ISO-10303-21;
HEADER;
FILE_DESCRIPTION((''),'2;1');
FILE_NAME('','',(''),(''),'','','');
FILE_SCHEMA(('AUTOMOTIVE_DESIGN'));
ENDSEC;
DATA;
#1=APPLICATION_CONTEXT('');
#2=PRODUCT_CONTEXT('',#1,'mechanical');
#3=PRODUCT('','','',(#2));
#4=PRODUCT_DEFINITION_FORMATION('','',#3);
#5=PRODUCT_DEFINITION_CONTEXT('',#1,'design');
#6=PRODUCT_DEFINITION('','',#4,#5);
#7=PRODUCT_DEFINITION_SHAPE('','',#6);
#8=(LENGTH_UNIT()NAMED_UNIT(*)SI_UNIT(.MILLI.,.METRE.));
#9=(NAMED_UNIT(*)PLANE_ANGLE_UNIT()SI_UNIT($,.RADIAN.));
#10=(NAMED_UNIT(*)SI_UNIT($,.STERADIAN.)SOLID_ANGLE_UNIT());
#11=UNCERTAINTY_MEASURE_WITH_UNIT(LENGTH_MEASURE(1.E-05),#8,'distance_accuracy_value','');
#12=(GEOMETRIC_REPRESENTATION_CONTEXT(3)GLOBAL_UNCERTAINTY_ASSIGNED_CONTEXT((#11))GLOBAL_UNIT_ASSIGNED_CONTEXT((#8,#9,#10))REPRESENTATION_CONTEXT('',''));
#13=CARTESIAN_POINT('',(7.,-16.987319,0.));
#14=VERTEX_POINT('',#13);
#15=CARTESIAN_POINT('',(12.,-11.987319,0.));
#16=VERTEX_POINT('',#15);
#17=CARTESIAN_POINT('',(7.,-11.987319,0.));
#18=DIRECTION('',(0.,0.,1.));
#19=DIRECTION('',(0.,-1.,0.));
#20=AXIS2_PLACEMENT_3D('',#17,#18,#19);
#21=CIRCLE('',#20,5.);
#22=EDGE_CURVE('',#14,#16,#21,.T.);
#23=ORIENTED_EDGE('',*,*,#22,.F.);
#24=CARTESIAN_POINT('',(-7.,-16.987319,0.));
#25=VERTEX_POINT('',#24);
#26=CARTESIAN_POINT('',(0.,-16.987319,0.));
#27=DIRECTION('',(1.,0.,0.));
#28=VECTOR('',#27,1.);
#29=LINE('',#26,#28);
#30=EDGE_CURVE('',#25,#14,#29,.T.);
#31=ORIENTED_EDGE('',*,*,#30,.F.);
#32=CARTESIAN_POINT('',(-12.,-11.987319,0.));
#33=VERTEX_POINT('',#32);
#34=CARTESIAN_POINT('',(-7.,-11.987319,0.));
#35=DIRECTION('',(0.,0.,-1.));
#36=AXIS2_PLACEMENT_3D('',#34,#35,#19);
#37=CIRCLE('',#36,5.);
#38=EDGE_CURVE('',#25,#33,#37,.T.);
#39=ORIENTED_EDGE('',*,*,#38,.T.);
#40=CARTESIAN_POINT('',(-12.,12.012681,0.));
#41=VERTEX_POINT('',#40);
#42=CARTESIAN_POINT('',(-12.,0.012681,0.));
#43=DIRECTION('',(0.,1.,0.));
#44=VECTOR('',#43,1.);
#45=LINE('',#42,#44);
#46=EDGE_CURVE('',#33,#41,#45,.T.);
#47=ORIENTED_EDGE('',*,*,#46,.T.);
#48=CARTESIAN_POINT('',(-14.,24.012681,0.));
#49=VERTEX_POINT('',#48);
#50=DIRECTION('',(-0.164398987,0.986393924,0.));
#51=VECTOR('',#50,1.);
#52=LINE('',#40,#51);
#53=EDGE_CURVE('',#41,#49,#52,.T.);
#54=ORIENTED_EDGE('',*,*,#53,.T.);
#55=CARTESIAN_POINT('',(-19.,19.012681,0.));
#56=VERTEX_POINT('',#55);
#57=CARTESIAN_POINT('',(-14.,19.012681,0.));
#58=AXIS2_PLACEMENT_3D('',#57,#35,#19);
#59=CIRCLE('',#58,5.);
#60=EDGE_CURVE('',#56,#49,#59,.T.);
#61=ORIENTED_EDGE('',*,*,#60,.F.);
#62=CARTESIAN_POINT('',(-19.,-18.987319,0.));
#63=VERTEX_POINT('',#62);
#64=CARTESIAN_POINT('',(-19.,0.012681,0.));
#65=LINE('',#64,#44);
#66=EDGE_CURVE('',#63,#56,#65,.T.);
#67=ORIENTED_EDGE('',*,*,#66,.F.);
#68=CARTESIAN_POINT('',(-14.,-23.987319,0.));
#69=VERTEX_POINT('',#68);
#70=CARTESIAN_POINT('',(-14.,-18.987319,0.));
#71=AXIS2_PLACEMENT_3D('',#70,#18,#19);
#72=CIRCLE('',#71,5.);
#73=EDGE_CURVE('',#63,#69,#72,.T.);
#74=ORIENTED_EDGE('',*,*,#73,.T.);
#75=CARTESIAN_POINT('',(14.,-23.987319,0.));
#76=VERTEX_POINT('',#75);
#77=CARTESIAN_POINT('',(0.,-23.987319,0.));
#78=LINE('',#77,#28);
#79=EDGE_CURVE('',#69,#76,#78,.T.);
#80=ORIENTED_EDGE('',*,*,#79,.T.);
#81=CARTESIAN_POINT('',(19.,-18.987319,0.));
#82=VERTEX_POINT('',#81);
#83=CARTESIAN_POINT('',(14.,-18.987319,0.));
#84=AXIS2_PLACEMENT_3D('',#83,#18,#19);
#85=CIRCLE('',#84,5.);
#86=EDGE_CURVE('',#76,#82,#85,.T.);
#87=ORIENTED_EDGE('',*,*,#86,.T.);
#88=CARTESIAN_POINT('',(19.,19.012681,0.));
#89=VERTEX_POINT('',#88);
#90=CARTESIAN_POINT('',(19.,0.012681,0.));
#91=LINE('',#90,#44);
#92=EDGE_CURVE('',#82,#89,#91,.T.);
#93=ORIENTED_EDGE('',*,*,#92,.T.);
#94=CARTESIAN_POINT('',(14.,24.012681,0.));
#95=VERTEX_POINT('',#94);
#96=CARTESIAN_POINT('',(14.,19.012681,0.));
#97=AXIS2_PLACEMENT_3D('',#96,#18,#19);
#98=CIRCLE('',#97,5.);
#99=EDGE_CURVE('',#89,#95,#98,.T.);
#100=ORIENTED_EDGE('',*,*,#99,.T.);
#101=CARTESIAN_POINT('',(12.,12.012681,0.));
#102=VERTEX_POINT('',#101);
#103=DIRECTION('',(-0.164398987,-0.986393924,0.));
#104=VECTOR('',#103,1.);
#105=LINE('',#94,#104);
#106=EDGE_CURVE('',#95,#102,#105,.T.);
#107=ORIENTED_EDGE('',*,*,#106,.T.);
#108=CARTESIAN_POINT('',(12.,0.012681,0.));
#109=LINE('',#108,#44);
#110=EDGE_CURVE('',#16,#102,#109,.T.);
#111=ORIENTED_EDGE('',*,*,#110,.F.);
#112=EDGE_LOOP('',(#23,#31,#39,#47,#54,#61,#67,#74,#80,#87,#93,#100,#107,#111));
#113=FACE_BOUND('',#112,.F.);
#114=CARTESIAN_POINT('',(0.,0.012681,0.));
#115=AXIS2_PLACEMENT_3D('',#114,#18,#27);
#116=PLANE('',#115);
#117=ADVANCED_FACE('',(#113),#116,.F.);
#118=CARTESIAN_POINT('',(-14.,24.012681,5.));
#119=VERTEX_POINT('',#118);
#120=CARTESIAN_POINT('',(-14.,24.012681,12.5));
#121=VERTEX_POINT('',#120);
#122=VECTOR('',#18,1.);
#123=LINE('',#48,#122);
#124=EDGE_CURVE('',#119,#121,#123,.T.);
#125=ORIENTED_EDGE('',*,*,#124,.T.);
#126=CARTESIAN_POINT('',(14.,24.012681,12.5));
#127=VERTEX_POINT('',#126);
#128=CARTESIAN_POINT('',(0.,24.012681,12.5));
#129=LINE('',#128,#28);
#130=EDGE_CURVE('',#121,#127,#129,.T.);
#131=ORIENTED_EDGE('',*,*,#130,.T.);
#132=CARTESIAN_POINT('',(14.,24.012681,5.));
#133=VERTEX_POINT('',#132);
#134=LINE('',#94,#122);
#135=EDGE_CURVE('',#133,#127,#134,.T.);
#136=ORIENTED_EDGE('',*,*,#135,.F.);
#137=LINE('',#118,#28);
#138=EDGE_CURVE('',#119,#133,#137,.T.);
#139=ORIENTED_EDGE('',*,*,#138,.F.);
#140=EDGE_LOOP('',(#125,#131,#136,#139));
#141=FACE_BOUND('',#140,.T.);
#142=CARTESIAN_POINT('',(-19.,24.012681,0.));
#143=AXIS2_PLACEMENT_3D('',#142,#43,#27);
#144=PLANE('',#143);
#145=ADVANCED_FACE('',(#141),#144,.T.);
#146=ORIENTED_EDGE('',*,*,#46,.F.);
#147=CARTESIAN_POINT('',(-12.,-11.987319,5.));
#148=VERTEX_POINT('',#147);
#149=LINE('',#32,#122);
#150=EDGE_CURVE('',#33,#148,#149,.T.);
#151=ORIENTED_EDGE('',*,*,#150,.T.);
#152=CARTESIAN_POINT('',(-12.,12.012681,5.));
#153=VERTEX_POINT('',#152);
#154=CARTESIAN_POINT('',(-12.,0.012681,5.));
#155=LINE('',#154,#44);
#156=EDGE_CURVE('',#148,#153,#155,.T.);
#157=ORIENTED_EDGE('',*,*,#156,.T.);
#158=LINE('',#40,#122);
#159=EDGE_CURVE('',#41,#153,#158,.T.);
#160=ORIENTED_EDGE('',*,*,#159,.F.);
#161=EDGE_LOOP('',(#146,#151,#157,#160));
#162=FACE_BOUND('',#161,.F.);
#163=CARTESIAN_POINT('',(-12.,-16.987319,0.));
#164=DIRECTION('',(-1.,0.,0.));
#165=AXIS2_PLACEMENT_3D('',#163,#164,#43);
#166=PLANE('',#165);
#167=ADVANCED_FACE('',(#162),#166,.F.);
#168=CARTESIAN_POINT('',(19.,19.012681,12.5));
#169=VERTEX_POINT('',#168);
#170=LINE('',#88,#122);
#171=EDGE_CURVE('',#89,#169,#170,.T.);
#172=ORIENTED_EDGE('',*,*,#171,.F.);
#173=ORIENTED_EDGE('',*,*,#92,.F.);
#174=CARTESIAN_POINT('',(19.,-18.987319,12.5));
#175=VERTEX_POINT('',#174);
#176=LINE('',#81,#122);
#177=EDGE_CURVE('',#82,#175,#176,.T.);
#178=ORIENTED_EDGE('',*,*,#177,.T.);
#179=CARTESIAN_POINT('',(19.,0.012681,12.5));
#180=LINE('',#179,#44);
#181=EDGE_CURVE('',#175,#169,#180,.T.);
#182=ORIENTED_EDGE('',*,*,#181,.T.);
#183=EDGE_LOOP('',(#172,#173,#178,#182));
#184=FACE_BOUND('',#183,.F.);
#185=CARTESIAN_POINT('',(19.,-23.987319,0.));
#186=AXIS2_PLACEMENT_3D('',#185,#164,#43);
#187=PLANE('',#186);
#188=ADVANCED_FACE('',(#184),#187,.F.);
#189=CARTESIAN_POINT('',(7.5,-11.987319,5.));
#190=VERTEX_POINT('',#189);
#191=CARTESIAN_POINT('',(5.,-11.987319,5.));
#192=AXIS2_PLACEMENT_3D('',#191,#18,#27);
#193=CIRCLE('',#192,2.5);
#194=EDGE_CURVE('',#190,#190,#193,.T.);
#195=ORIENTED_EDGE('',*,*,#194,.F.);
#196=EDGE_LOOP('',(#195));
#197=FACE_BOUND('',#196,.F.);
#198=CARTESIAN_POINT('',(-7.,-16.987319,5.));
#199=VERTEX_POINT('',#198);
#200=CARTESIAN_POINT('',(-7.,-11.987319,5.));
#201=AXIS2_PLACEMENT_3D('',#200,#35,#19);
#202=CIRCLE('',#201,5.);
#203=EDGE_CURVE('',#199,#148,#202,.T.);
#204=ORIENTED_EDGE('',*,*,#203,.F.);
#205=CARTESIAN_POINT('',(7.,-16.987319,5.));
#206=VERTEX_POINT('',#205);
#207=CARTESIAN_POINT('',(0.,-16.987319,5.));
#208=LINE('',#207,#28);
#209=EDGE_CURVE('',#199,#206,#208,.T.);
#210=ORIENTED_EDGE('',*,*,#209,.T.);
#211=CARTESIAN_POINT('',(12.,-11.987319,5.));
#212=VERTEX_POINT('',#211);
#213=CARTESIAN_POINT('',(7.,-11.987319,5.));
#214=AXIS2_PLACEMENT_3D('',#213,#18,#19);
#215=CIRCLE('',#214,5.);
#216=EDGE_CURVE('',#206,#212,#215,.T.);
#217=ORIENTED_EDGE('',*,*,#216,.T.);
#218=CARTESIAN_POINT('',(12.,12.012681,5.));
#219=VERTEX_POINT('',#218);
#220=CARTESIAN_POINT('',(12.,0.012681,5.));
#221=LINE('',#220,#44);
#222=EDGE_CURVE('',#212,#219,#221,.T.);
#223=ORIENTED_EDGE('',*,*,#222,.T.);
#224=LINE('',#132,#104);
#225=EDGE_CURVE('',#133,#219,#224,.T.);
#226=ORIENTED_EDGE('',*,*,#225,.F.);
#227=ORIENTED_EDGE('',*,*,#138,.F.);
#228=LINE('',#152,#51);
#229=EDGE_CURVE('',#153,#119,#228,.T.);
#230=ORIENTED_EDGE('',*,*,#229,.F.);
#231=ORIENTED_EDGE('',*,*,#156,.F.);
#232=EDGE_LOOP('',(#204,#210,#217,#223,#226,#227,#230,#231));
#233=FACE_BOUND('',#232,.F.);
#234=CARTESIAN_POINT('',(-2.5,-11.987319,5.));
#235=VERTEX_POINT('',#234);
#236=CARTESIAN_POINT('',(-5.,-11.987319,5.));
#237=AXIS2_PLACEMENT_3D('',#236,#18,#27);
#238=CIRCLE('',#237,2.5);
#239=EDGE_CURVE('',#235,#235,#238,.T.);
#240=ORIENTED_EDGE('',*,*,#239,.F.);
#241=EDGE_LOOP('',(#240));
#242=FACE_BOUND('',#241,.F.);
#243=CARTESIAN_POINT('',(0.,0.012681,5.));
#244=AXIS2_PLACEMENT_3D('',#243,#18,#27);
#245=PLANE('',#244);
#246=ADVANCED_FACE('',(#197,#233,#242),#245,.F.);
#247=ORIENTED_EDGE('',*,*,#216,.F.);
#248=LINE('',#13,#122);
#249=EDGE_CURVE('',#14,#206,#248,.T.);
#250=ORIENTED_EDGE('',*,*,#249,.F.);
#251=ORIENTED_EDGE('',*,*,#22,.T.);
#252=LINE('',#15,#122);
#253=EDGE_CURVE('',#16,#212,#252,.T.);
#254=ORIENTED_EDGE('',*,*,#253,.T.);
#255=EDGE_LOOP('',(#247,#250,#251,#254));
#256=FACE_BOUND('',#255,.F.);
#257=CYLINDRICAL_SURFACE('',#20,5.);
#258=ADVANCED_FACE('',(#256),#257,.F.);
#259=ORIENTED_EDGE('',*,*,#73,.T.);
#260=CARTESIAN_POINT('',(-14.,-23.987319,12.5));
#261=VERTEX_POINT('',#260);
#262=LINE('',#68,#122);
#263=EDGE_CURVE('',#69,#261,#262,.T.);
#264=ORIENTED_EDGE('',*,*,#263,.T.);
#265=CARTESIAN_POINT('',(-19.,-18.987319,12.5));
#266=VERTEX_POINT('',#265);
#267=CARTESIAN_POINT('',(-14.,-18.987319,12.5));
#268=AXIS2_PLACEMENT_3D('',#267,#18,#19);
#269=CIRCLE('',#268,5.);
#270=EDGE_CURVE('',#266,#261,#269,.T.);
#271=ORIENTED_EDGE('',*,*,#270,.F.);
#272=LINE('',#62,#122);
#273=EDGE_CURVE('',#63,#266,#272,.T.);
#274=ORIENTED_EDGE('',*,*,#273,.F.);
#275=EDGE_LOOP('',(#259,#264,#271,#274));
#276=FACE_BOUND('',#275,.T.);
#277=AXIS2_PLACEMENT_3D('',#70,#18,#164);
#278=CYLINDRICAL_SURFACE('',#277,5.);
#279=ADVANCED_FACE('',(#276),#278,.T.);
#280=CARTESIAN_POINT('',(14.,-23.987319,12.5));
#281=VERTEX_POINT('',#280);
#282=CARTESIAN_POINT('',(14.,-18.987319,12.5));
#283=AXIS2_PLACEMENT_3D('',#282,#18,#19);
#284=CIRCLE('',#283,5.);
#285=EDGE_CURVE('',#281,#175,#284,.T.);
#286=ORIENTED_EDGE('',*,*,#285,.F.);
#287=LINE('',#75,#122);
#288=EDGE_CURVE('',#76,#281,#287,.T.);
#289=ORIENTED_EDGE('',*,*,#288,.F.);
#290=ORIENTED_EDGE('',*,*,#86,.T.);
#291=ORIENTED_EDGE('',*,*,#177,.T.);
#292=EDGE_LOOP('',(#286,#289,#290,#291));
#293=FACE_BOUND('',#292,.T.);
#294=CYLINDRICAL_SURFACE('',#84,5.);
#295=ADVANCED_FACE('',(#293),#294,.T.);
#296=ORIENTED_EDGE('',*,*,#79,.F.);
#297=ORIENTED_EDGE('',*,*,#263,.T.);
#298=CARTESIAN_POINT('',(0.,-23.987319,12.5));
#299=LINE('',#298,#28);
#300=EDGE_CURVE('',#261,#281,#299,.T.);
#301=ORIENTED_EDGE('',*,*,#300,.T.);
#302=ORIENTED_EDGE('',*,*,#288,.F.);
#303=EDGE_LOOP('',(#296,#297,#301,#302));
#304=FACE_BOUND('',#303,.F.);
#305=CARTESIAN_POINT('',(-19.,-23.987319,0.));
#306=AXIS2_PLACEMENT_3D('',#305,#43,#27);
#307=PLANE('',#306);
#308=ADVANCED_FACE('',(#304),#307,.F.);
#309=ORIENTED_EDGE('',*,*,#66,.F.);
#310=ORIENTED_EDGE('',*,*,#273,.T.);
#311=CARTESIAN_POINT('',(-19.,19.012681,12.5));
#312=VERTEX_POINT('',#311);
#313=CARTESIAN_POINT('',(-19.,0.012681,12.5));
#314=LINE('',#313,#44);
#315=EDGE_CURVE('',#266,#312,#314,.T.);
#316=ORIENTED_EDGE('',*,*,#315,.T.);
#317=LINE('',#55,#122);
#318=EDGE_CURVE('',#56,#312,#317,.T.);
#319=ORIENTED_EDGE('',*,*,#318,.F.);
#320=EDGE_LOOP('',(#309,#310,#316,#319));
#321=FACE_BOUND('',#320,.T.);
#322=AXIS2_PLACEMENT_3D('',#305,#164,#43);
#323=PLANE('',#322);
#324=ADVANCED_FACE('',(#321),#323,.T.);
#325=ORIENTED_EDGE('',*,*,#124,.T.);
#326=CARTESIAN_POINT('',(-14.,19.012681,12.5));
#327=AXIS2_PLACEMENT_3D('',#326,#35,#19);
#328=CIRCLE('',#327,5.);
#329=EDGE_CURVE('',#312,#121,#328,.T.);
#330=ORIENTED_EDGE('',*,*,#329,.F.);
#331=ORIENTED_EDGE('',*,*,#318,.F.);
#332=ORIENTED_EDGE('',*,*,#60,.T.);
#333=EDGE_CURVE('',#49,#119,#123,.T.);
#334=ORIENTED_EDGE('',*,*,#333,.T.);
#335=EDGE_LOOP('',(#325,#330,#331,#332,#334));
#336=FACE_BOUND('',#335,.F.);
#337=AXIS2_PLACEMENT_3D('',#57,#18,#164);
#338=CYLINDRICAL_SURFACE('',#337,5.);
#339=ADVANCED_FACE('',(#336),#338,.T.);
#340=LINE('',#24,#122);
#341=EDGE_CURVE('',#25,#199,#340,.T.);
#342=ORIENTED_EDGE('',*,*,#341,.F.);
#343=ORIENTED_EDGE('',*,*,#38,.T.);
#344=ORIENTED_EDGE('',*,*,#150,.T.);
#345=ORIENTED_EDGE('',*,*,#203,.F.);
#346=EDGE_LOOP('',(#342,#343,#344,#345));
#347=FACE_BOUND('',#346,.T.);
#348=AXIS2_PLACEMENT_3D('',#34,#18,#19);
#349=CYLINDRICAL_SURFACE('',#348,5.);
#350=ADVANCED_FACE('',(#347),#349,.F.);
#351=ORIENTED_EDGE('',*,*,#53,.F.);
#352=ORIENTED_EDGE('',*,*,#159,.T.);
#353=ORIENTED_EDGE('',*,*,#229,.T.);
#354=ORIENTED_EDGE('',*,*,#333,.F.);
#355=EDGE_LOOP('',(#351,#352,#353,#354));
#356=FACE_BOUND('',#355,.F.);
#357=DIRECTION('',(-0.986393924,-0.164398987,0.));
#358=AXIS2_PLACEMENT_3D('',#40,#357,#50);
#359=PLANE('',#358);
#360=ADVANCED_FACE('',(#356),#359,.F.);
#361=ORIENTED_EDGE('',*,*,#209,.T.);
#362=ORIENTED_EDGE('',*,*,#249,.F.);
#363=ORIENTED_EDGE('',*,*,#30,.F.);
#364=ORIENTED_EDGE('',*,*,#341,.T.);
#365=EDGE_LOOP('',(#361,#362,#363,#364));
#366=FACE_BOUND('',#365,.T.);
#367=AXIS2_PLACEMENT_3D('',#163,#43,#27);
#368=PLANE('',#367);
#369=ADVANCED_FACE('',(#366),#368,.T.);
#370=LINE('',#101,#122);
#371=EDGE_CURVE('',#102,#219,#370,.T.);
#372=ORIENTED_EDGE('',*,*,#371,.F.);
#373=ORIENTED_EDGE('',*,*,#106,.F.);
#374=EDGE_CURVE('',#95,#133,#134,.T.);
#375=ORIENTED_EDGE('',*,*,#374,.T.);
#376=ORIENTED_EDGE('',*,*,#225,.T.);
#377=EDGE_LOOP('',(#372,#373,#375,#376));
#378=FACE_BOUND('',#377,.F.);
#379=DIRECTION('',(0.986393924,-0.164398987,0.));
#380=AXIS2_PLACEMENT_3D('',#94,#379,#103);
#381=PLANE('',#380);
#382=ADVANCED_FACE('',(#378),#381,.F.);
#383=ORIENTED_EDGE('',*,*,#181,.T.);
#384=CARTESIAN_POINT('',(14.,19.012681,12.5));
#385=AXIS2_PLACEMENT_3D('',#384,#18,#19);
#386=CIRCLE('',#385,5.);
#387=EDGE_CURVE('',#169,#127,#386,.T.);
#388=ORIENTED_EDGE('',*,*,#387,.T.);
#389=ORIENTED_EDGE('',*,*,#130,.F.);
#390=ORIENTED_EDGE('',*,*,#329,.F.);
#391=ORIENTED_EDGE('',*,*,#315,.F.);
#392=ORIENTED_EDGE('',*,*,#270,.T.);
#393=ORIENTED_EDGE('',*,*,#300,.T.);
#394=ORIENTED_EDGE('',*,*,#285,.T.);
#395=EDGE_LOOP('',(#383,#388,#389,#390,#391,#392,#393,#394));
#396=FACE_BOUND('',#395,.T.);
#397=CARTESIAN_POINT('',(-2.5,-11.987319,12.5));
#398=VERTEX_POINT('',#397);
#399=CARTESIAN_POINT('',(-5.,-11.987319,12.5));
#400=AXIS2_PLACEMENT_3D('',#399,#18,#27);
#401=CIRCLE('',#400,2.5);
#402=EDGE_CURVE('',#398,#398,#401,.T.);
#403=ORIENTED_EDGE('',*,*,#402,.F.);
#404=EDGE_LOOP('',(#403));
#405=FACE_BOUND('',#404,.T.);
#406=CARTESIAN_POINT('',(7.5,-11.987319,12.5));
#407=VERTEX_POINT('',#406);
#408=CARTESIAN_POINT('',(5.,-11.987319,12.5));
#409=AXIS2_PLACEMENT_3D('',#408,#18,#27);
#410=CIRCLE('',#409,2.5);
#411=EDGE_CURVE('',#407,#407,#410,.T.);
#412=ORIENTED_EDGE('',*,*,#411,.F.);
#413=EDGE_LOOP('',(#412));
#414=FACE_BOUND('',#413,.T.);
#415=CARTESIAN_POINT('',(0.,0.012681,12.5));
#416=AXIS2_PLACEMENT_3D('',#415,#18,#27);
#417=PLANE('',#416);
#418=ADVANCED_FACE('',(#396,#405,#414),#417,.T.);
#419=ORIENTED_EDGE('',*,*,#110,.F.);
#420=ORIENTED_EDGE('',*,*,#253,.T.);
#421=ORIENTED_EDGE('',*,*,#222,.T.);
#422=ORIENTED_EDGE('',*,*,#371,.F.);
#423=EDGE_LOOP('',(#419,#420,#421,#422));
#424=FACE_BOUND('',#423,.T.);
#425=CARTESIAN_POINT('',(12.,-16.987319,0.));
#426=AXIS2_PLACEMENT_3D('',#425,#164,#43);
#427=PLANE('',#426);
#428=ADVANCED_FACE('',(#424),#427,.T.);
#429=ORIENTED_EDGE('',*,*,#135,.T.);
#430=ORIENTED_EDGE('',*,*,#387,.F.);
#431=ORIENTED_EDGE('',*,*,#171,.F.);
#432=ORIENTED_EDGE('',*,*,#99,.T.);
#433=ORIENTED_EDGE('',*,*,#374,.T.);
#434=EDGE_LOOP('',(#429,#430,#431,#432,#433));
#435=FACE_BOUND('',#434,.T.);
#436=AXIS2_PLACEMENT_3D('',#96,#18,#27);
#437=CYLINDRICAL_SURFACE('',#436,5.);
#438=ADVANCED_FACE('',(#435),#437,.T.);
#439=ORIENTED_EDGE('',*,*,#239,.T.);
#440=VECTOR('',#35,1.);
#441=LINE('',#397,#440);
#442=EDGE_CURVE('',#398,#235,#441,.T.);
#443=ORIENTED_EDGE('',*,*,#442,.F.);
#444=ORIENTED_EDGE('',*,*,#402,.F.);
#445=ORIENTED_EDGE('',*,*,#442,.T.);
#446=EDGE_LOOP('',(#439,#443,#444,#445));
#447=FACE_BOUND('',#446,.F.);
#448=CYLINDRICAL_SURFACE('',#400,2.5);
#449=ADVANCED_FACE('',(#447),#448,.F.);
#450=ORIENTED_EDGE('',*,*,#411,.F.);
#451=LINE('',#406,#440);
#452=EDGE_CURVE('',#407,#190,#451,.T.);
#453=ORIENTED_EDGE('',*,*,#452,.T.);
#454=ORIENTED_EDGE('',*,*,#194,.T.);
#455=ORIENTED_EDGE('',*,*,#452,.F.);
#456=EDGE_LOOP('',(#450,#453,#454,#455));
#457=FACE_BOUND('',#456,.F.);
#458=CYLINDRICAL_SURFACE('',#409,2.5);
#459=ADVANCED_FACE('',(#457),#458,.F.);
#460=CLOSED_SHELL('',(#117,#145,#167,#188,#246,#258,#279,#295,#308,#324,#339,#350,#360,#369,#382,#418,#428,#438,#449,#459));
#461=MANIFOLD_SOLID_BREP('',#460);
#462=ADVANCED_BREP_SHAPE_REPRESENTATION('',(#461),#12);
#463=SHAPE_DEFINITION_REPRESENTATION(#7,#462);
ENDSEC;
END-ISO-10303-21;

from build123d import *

# Parameters (mm, degrees)
F0_W     = 38
F0_H     = 48
F0_W_2   = 24
F0_H_2   = 34
F1_DEPTH = 12.5
F2_R     = 5
F4_DEPTH = 5
F5_R     = 5
F3_R     = 2.5
F6_DEPTH = 7.5
F8_DEPTH = 5


with BuildPart() as f1:
    # F0 (on Top) → F1 (new body)
    with BuildSketch(Plane.XY):
        with Locations((0, 0.012681)):
            Rectangle(F0_W, F0_H)
        with Locations((0, 0.012681)):
            Rectangle(F0_W_2, F0_H_2, mode=Mode.SUBTRACT)
        with Locations((0, 0.012681)):
            Rectangle(F0_W_2, F0_H_2)
    extrude(amount=F1_DEPTH)

    # F2
    f2_edges = [f1.edges().sort_by_distance(p)[0] for p in [
        (-19, -23.987319, 6.25),
        (19, -23.987319, 6.25),
        (19, 24.012681, 6.25),
        (-19, 24.012681, 6.25),
    ]]
    fillet(f2_edges, radius=F2_R)

    # F0 (on Top) → F4 (cut)
    with BuildSketch(Plane.XY):
        with Locations((0, 0.012681)):
            Rectangle(F0_W_2, F0_H_2)
    extrude(amount=F4_DEPTH, mode=Mode.SUBTRACT)

    # F5
    f5_edges = [f1.edges().sort_by_distance(p)[0] for p in [
        (-12, -16.987319, 2.5),
        (12, -16.987319, 2.5),
        (12, 17.012681, 2.5),
        (-12, 17.012681, 2.5),
    ]]
    fillet(f5_edges, radius=F5_R)

    # F3 (on face) → F6 (cut, through all)
    with BuildSketch(Plane.XY.offset(12.5)):
        with Locations((-5, -11.987319)):
            Circle(F3_R)
        with Locations((5, -11.987319)):
            Circle(F3_R)
    extrude(amount=-F6_DEPTH, mode=Mode.SUBTRACT)

    # F7 (on face) → F8 (cut)
    with BuildSketch(Plane(origin=(0, 0, 0), x_dir=(1, 0, 0), z_dir=(0, 0, -1))):
        with BuildLine():
            Line((14, -24.012681), (12, -12.012681))
            ThreePointArc((12, -12.012681), (10.535534, -15.548215), (7, -17.012681))
            Line((7, -17.012681), (-7, -17.012681))
            ThreePointArc((-7, -17.012681), (-10.535534, -15.548215), (-12, -12.012681))
            Line((-12, -12.012681), (-14, -24.012681))
            Line((-14, -24.012681), (14, -24.012681))
        make_face()
    extrude(amount=-F8_DEPTH, mode=Mode.SUBTRACT)


solid = f1.part
